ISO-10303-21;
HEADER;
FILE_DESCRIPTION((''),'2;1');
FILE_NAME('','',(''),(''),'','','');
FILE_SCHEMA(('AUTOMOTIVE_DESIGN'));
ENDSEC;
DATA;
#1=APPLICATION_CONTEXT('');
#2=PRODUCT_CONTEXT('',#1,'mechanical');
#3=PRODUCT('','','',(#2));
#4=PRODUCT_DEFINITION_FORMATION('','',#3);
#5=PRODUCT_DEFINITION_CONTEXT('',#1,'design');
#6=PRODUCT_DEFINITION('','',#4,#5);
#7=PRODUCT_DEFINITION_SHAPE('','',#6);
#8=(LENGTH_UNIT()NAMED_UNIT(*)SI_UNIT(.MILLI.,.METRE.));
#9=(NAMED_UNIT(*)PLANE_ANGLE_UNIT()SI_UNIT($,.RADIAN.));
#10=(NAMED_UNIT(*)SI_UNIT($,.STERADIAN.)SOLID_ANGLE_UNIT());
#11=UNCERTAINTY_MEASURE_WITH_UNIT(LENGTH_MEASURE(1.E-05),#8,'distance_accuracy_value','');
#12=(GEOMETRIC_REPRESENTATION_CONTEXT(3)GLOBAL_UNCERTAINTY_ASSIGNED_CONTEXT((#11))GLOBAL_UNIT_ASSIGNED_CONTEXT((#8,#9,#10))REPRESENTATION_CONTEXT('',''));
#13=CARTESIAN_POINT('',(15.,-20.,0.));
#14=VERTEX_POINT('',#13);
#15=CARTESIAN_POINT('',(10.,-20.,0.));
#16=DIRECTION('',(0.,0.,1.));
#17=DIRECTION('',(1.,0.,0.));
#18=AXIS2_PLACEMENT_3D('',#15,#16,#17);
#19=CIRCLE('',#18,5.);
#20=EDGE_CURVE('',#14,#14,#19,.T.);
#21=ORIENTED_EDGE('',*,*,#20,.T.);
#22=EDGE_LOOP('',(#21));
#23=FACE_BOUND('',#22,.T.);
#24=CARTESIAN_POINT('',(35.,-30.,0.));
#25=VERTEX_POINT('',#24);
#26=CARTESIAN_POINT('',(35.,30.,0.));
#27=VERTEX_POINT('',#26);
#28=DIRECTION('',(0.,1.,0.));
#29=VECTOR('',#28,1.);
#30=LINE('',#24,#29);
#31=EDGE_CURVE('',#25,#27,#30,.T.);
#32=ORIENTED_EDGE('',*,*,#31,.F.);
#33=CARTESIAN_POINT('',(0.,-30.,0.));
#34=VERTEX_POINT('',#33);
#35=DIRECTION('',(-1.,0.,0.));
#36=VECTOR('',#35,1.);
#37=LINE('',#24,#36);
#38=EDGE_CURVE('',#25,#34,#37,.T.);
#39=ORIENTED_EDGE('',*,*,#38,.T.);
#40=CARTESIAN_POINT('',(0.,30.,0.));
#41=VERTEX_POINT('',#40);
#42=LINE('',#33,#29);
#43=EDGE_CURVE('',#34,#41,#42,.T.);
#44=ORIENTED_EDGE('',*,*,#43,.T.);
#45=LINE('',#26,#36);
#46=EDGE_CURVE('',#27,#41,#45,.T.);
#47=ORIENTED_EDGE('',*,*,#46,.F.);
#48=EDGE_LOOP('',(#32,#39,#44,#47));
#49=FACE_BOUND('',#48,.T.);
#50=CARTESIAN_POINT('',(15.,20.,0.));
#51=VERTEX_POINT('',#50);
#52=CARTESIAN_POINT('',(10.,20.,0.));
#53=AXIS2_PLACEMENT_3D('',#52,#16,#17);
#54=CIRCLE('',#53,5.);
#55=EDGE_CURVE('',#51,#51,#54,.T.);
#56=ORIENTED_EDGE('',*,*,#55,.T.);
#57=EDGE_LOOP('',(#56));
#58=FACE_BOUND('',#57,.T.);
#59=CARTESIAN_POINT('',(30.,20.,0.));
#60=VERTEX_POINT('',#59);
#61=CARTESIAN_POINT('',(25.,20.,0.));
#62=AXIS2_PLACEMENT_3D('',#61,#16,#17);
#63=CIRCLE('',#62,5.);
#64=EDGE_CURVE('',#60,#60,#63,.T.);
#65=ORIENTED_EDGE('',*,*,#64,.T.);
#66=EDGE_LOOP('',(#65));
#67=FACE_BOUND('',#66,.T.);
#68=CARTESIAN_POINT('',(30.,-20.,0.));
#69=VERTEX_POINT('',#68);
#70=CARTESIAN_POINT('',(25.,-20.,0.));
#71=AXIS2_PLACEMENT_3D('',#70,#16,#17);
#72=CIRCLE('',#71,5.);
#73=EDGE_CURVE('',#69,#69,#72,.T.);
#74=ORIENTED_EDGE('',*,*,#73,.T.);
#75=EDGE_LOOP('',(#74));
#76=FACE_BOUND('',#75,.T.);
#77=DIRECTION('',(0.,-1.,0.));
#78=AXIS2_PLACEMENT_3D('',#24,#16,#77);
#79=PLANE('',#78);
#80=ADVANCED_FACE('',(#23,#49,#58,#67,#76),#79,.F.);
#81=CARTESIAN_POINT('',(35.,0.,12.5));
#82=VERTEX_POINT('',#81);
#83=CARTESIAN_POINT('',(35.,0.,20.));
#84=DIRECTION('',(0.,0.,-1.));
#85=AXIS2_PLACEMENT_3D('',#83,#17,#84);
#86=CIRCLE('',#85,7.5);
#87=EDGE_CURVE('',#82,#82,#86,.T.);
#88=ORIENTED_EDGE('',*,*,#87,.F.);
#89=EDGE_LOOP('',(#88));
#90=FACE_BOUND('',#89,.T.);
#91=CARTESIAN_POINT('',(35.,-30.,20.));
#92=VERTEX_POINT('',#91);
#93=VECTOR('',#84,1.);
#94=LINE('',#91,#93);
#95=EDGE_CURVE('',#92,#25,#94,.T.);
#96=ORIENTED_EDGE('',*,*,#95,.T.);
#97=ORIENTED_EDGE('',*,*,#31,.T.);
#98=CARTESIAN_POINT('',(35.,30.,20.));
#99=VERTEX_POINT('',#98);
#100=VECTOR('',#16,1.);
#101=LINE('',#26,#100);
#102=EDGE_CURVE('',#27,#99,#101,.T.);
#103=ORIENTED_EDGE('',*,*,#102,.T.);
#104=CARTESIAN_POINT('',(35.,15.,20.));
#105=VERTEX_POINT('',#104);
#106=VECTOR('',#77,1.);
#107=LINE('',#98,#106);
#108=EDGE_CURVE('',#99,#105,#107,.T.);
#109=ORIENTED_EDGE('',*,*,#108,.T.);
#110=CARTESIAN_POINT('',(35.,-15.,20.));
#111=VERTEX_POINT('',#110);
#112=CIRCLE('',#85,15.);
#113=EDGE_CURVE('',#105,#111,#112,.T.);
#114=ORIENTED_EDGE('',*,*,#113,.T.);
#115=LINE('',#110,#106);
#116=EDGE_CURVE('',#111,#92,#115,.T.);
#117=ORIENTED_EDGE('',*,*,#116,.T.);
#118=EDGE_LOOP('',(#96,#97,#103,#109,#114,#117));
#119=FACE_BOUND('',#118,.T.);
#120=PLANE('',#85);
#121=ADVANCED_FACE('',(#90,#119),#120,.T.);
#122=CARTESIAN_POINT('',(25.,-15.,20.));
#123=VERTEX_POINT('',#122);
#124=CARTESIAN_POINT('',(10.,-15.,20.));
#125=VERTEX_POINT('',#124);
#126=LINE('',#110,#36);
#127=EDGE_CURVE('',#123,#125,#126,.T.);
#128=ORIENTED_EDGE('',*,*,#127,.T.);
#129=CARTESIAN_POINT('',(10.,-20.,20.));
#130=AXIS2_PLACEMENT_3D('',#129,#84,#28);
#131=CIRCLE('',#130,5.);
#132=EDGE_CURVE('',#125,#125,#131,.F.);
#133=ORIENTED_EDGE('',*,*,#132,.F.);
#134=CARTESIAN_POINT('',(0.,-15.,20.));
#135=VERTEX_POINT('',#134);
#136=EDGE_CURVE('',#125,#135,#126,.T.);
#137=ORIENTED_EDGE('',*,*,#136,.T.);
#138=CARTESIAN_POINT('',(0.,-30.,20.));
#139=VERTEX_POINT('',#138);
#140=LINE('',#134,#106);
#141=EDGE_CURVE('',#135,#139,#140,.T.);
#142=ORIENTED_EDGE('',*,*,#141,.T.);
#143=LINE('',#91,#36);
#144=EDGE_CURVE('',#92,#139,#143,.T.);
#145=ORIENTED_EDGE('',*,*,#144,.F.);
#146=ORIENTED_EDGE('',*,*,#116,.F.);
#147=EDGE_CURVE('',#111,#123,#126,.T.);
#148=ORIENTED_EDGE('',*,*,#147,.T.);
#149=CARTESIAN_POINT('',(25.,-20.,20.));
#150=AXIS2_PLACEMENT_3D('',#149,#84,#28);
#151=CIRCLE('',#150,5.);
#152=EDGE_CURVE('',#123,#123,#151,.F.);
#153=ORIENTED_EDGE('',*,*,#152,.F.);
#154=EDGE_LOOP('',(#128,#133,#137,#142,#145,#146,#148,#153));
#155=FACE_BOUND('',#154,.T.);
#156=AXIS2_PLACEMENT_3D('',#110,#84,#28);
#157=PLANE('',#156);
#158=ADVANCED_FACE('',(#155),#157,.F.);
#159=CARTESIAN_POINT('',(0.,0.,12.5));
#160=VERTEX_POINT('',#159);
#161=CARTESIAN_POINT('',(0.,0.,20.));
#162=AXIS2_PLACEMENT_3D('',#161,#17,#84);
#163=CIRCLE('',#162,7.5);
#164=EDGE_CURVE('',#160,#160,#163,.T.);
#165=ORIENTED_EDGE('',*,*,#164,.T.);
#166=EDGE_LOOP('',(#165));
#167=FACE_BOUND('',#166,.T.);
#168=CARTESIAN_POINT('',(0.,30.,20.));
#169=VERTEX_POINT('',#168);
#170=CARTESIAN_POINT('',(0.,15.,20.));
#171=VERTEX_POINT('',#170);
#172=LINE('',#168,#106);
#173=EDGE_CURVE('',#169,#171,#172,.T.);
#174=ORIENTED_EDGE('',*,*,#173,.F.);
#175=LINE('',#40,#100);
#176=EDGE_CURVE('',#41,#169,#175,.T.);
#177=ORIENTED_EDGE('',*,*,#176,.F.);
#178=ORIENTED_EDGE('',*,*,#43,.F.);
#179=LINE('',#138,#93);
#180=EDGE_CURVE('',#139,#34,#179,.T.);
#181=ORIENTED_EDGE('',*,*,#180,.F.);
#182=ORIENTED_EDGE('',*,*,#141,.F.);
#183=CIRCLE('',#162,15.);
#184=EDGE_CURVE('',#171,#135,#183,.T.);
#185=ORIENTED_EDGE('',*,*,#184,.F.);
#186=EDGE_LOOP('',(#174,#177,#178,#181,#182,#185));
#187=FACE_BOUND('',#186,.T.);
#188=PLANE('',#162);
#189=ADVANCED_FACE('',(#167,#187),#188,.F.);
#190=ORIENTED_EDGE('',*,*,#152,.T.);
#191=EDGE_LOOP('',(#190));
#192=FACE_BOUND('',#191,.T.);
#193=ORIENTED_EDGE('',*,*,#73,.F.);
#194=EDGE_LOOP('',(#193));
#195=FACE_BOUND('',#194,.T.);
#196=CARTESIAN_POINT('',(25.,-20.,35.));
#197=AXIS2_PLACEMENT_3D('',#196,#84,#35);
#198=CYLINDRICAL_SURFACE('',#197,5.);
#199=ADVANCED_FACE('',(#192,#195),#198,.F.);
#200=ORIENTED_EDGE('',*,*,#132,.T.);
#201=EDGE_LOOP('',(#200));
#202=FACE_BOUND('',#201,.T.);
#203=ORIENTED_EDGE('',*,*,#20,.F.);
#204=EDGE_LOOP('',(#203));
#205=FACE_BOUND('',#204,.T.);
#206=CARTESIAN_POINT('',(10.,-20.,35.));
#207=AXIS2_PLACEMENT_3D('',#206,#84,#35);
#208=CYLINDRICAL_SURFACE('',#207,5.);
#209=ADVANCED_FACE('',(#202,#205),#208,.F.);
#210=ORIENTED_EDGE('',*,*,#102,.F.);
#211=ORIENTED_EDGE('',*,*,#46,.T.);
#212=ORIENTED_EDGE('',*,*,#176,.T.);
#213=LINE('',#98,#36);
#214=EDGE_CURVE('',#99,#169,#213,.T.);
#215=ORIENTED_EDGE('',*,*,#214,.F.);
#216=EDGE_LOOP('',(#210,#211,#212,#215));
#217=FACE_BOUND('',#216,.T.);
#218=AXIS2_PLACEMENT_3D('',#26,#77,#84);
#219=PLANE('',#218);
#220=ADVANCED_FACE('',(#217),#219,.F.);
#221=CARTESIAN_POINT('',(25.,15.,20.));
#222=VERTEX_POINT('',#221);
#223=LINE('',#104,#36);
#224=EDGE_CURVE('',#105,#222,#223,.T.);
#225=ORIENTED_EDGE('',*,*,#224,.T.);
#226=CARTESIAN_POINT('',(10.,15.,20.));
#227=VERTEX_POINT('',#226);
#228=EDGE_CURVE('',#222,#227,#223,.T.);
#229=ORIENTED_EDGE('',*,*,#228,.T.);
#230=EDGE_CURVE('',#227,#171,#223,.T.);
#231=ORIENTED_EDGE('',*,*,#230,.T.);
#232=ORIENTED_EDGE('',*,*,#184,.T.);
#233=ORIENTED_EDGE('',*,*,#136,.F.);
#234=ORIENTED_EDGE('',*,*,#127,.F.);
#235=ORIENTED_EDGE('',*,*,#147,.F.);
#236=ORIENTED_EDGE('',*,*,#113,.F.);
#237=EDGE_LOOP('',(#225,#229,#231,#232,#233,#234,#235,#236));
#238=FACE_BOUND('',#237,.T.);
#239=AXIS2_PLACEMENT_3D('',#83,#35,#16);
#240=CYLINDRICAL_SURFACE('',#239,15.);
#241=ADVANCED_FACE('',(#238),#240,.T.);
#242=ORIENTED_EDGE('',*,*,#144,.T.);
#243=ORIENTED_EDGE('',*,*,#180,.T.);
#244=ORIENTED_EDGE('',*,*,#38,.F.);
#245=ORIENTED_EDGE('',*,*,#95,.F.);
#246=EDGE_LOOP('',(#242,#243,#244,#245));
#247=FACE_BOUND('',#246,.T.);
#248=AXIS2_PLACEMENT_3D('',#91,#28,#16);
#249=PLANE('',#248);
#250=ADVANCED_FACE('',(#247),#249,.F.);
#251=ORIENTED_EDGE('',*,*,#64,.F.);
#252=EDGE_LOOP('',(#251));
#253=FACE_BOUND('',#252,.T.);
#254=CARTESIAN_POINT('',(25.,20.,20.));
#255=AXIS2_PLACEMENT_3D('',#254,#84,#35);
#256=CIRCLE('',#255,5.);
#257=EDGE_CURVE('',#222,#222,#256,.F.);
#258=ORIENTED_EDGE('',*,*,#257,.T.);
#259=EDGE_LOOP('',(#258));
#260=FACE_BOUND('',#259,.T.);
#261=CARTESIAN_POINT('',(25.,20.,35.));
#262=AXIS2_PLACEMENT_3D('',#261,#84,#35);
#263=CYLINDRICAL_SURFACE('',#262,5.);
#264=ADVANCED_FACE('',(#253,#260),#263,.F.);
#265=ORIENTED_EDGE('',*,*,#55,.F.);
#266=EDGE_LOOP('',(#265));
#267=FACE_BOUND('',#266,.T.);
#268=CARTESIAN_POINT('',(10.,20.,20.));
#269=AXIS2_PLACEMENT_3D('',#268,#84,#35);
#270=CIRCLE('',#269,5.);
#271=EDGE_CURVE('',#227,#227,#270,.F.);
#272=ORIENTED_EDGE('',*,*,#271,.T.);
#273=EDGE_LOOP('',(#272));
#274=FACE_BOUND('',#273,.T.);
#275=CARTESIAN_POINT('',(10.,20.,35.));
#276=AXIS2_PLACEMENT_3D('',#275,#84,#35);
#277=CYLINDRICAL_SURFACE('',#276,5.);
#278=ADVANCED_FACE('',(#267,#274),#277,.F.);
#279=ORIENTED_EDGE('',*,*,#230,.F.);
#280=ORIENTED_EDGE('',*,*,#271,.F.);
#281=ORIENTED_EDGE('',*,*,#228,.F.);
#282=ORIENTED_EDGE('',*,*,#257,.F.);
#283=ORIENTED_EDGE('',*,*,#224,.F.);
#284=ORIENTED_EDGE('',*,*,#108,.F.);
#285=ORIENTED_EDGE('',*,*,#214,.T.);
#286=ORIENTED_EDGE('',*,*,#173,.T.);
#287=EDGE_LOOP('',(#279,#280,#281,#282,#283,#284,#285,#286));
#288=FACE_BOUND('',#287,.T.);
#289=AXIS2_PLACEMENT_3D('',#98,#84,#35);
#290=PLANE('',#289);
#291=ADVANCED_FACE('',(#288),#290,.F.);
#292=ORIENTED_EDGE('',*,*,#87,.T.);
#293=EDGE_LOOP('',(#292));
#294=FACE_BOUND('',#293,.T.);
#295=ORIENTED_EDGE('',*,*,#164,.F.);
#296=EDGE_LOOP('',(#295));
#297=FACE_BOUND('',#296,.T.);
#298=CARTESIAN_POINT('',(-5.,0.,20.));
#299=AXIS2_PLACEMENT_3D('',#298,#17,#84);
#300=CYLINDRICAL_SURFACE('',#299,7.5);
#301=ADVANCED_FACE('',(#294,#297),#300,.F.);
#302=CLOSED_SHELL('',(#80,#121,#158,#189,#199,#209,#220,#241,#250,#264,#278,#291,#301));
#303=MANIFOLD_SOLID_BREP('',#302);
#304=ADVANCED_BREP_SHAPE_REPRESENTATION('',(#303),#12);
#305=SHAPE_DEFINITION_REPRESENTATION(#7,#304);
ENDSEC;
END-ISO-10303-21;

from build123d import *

# Parameters (mm, degrees)
BODY_DEPTH         = 35
SKETCH2_R          = 5
FIXING_HOLES_DEPTH = 58.879184514
SKETCH3_R          = 7.5
SHAFT_HOLE_DEPTH   = 40


with BuildPart() as part:
    # Sketch1 → body (new body)
    with BuildSketch(Plane(origin=(0, 0, 0), x_dir=(0, 0, -1), z_dir=(1, 0, 0))):
        with BuildLine():
            Line((0, -30), (0, 30))
            Line((0, 30), (-20, 30))
            Line((-20, 30), (-20, 15))
            ThreePointArc((-20, 15), (-35, 0), (-20, -15))
            Line((-20, -15), (-20, -30))
            Line((-20, -30), (0, -30))
        make_face()
    extrude(amount=BODY_DEPTH)

    # Sketch2 → fixing holes (cut, through all)
    with BuildSketch(Plane.XY):
        with Locations(Location((10, 20, 0), (0, 0, 270))):
            Circle(SKETCH2_R)
        with Locations(Location((25, 20, 0), (0, 0, 270))):
            Circle(SKETCH2_R)
        with Locations(Location((10, -20, 0), (0, 0, 90))):
            Circle(SKETCH2_R)
        with Locations(Location((25, -20, 0), (0, 0, 90))):
            Circle(SKETCH2_R)
    extrude(amount=FIXING_HOLES_DEPTH, mode=Mode.SUBTRACT)

    # Sketch3 → shaft hole (cut)
    with BuildSketch(Plane(origin=(35, 0, 0), x_dir=(0, 0, -1), z_dir=(1, 0, 0))):
        with Locations((-20, 0)):
            Circle(SKETCH3_R)
    extrude(amount=-SHAFT_HOLE_DEPTH, mode=Mode.SUBTRACT)


solid = part.part
